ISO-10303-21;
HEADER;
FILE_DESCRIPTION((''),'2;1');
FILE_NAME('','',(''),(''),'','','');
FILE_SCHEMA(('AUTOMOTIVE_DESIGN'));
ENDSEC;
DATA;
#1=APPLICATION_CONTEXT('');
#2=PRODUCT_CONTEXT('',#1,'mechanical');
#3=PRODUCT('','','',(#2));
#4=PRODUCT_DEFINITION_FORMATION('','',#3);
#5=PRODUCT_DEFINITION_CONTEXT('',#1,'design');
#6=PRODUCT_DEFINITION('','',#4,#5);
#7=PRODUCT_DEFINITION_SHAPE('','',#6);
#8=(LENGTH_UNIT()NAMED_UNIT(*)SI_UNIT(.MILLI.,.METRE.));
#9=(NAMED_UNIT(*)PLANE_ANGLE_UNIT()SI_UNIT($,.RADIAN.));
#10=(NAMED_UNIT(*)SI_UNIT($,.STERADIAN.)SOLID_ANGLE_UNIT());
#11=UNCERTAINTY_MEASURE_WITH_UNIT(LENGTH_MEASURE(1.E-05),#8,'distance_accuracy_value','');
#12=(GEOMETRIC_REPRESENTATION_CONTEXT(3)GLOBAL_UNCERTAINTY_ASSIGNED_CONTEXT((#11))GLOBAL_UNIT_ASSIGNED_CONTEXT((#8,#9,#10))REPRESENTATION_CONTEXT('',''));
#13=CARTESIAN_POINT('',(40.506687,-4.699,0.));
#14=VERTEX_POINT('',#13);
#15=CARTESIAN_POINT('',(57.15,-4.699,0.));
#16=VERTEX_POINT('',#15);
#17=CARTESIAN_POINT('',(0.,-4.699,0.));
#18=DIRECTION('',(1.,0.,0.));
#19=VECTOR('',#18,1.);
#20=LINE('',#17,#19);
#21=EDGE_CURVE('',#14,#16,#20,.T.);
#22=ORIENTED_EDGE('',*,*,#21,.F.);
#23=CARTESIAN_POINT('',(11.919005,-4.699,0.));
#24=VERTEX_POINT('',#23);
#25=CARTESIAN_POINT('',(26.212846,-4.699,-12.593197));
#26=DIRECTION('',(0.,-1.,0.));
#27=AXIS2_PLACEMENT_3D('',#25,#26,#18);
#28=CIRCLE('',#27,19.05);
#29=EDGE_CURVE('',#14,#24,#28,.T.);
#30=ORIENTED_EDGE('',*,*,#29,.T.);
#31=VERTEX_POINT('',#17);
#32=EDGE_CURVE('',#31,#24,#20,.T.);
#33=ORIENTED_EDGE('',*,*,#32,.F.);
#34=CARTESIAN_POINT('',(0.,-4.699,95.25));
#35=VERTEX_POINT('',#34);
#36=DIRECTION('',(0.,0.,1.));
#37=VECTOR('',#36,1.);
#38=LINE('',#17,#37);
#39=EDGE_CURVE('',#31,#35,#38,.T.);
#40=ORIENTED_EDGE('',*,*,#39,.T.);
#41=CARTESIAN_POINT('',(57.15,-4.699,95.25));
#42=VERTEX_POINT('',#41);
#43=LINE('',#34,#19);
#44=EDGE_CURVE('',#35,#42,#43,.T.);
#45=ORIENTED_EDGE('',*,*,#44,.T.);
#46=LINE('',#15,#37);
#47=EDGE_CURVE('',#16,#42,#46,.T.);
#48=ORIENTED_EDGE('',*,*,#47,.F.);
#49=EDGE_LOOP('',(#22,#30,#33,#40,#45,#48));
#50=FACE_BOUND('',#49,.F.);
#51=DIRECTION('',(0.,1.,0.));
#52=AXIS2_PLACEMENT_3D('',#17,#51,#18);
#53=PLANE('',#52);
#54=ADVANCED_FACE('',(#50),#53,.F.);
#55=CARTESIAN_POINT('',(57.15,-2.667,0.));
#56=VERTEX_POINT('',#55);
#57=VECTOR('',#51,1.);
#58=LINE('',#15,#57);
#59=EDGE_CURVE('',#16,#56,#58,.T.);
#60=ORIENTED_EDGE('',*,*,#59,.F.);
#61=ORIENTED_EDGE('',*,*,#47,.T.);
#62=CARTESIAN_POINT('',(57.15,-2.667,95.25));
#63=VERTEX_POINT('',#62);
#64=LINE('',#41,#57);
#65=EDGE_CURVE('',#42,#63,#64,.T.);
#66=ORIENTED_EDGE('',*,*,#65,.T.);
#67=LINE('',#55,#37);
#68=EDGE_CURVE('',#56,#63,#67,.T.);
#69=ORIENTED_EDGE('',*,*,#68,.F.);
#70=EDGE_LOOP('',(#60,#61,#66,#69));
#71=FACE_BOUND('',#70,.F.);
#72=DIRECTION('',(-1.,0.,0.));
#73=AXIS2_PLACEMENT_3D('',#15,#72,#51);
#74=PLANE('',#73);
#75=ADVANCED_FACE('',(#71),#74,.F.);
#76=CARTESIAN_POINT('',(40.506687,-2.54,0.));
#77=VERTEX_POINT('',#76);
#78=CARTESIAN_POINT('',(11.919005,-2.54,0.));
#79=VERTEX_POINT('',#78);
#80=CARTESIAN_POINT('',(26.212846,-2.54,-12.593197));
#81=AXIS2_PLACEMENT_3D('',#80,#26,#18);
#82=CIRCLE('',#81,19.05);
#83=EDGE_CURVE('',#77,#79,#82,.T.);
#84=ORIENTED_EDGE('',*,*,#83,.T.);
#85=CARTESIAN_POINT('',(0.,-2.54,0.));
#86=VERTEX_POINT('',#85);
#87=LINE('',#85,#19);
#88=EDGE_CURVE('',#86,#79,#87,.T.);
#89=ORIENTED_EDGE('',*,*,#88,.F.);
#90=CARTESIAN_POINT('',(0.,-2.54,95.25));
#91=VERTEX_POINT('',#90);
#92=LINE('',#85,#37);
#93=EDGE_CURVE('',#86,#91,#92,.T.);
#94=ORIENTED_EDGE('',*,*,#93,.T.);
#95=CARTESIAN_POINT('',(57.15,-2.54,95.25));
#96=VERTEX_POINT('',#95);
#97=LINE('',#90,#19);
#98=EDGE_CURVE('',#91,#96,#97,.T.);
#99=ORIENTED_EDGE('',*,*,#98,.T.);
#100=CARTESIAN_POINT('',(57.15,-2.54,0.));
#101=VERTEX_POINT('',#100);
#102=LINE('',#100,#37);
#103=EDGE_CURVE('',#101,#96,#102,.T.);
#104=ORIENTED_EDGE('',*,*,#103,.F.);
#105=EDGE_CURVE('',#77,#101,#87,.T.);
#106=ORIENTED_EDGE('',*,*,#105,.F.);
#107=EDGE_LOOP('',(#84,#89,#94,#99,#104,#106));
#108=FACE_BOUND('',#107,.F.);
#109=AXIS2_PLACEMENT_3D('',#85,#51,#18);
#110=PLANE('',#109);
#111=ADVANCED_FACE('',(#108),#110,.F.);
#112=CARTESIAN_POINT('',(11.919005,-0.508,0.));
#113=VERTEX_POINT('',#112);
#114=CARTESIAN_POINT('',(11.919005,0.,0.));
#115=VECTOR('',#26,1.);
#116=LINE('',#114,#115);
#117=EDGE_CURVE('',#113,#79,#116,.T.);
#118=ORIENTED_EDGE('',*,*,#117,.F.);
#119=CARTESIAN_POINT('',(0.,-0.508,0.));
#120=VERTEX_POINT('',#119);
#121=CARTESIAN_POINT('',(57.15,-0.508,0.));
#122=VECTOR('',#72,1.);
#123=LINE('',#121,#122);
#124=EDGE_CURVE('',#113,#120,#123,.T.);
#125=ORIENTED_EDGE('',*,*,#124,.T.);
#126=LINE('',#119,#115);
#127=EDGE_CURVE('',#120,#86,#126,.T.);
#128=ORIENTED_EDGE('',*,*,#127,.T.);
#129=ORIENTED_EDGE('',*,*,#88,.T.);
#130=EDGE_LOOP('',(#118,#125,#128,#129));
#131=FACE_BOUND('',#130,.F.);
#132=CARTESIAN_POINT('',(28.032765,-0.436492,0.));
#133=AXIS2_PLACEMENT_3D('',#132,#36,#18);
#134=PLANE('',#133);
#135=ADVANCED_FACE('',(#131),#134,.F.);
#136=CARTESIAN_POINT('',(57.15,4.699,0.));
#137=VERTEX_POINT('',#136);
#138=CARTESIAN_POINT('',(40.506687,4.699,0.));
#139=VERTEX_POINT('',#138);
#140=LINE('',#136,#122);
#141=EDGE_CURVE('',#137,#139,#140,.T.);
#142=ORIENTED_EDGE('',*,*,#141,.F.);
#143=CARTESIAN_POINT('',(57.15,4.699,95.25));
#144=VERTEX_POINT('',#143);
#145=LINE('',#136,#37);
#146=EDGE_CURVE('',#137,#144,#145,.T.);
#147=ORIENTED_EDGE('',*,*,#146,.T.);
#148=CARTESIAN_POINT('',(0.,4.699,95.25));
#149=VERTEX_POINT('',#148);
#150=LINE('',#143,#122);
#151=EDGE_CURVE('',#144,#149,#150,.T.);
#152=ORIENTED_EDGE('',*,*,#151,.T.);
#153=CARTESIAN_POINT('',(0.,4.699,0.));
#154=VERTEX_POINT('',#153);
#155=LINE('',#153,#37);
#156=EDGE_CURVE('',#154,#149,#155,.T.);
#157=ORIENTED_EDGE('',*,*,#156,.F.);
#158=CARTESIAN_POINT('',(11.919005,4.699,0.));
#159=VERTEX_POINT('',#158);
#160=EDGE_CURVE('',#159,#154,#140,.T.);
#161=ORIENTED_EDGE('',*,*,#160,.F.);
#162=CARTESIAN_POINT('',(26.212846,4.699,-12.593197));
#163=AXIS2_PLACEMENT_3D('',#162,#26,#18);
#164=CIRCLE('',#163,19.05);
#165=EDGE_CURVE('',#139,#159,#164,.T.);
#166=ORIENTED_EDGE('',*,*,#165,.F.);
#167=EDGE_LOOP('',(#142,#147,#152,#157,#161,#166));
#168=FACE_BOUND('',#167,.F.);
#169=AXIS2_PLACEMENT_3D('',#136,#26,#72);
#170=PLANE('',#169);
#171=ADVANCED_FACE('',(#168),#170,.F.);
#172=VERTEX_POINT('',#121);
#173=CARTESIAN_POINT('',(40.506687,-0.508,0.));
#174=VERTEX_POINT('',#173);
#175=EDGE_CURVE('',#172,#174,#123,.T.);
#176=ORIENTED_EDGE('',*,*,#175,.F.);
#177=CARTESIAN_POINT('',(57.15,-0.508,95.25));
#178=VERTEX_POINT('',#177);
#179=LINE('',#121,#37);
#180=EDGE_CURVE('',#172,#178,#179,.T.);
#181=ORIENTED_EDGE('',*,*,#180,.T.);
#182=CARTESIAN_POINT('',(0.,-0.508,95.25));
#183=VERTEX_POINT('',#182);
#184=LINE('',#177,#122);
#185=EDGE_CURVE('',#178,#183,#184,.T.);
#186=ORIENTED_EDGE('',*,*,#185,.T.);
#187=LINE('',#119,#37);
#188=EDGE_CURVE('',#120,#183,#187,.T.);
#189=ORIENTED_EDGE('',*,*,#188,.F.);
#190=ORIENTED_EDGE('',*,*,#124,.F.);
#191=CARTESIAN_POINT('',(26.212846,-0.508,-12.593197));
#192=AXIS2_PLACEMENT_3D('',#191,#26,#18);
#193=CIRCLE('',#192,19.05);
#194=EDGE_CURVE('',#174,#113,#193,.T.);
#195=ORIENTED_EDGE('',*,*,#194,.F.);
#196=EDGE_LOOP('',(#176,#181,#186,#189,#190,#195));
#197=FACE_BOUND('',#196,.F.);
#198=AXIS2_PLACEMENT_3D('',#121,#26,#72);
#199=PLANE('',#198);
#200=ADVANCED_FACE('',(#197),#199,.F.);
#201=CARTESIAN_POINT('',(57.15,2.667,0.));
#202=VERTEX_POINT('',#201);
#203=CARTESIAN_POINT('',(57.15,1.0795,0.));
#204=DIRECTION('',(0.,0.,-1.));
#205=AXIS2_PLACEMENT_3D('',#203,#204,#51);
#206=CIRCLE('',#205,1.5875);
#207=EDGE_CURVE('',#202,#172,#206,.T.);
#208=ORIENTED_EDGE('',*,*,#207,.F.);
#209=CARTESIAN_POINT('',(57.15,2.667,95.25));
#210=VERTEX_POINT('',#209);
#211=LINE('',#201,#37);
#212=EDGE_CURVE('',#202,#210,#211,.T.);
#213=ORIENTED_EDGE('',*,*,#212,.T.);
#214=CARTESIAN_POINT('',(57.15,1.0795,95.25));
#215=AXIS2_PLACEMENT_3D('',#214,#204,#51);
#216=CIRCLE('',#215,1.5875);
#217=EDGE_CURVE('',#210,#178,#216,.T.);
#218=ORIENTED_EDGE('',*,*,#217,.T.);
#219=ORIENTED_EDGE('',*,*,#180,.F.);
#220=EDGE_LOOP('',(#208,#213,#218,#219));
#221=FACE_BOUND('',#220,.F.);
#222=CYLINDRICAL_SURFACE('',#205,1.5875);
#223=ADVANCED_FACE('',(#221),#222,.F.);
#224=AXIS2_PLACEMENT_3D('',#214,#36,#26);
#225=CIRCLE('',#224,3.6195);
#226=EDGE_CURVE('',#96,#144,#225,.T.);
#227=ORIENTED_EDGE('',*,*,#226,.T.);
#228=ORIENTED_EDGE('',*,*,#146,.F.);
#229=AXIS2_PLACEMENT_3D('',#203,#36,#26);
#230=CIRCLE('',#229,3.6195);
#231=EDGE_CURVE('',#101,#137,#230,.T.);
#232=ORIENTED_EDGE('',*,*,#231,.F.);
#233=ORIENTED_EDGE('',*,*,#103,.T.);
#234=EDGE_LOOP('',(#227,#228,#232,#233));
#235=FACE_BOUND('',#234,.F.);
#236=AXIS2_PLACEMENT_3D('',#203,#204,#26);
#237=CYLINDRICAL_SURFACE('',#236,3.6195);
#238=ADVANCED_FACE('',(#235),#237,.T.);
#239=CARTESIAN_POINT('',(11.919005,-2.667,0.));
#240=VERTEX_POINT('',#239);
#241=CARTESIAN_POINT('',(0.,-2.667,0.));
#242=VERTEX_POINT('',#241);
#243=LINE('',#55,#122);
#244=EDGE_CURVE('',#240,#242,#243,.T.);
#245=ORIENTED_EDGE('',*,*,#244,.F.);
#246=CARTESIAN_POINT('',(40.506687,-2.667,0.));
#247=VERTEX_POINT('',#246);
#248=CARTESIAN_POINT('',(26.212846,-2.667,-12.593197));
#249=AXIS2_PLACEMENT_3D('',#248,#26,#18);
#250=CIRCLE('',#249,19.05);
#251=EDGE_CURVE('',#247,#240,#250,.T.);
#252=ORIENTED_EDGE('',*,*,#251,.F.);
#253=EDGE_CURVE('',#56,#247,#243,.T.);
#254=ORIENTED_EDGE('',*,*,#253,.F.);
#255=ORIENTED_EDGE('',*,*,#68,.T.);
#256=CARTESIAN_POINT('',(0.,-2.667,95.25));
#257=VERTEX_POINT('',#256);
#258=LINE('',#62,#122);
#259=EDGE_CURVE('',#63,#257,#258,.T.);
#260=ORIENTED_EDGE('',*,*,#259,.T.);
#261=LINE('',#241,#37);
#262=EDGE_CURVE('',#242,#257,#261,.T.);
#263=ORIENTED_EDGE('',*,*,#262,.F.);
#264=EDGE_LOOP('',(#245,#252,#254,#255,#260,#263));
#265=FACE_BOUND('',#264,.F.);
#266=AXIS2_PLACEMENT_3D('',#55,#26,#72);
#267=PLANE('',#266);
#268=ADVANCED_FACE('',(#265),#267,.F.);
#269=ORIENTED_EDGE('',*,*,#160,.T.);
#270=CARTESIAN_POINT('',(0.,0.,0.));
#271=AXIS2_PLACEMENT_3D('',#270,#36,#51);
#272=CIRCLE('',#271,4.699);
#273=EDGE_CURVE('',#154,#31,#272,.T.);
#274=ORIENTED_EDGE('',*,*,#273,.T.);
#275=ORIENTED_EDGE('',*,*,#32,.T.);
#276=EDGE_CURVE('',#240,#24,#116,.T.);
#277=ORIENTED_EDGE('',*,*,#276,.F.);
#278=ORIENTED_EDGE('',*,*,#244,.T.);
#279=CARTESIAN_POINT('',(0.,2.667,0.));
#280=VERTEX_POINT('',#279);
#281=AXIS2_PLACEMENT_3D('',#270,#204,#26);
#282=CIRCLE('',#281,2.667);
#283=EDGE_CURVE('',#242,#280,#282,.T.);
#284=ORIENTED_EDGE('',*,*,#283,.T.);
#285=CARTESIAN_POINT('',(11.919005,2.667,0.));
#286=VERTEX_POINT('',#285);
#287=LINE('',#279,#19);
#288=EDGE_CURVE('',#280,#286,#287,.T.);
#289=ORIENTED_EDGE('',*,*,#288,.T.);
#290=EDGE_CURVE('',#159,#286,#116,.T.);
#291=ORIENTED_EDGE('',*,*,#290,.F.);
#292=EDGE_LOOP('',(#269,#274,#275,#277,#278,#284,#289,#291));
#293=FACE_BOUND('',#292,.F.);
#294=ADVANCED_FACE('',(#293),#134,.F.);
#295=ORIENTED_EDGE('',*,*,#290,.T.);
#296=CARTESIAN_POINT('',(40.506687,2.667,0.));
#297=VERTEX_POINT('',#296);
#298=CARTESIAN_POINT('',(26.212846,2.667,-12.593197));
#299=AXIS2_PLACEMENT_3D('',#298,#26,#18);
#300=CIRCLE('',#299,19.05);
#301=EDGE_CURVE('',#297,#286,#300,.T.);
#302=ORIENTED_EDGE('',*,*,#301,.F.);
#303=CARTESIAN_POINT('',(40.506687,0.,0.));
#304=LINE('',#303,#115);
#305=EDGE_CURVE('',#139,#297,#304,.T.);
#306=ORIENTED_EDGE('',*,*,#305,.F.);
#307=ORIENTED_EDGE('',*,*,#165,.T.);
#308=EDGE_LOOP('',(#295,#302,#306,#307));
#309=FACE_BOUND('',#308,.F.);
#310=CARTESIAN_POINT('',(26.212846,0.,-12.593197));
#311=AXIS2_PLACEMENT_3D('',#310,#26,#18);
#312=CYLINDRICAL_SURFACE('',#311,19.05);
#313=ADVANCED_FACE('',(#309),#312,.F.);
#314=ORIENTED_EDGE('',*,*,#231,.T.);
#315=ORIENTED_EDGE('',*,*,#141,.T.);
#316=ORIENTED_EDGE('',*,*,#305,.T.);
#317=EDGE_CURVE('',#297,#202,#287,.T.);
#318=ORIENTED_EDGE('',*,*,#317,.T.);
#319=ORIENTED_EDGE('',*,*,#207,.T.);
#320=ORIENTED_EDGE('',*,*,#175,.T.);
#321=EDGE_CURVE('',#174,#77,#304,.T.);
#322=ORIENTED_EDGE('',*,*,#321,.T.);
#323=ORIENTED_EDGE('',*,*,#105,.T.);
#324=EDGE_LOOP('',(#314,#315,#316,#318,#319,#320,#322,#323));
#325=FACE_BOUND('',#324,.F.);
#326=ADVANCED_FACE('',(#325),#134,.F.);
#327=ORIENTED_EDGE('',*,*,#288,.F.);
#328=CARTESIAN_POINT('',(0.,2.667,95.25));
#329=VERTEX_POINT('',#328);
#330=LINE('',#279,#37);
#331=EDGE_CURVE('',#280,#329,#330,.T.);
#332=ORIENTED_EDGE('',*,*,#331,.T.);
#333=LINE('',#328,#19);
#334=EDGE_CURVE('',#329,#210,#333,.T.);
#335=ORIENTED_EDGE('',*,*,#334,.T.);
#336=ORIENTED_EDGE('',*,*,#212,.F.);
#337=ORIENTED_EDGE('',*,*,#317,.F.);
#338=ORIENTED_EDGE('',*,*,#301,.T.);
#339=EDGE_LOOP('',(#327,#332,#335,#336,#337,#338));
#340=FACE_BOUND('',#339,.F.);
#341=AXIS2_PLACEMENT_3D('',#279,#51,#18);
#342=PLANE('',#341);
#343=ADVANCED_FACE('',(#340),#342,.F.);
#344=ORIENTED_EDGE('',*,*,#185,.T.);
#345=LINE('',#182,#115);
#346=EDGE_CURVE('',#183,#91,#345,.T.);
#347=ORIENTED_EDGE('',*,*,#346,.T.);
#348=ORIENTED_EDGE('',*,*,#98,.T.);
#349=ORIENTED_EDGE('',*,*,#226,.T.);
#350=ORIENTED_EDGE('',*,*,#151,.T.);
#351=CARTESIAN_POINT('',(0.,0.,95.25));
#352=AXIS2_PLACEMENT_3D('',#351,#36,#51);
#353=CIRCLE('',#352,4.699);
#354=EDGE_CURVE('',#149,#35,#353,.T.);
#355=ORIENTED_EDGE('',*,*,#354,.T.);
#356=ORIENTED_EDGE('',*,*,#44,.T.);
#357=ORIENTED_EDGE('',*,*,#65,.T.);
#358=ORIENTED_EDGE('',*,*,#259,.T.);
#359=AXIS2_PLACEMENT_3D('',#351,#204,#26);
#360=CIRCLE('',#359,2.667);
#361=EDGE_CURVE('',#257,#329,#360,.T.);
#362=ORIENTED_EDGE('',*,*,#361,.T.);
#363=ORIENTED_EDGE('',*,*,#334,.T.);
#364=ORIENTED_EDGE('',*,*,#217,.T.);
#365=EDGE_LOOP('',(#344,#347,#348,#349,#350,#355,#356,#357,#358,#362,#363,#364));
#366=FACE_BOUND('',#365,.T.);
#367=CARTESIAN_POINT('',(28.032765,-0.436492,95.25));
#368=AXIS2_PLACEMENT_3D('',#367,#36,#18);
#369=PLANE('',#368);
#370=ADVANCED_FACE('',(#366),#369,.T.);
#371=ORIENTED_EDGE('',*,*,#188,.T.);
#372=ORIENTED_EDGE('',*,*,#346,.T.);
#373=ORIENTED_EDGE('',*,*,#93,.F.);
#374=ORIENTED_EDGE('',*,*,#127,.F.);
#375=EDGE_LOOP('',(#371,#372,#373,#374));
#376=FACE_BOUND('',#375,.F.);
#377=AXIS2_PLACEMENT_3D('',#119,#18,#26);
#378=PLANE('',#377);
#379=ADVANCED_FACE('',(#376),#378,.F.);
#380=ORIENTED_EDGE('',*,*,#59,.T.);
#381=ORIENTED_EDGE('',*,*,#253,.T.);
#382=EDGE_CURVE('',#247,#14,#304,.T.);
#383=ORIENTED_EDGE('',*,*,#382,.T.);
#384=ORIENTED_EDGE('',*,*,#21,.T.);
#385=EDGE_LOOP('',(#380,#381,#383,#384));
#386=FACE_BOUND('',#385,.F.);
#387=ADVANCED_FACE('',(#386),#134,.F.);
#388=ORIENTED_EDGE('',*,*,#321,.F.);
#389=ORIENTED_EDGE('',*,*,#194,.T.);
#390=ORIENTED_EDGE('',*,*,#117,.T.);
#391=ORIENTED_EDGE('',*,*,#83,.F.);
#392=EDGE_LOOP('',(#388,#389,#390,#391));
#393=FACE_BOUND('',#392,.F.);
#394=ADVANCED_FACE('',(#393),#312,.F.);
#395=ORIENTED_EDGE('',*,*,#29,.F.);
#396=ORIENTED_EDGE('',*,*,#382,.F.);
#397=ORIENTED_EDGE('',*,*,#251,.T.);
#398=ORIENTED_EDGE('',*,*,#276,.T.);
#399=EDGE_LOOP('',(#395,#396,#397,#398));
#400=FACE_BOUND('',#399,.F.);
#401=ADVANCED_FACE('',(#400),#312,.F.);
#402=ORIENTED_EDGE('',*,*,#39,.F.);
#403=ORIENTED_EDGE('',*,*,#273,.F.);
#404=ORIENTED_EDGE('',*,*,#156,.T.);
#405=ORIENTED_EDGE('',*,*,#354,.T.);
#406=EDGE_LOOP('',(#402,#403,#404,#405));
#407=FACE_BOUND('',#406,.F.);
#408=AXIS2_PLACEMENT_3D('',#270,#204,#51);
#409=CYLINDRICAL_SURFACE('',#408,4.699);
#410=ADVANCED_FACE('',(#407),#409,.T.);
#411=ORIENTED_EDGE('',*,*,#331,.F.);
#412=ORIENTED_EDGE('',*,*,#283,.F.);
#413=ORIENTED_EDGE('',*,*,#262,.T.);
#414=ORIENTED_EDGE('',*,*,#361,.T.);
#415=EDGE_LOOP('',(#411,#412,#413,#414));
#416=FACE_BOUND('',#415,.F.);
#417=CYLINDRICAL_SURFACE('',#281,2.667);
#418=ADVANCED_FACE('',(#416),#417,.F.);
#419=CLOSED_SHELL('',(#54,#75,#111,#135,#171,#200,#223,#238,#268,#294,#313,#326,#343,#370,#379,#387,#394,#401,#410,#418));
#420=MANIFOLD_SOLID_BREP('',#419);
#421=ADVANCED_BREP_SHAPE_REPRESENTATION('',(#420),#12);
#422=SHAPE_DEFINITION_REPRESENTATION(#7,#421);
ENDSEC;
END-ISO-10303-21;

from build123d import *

# Parameters (mm, degrees)
F0_DEPTH = 95.25
F1_R     = 19.05
F2_DEPTH = 12.7


with BuildPart() as f0:
    # F3 (on Top) → F0 (new body)
    with BuildSketch(Plane.XY):
        with BuildLine():
            Line((57.15, 4.699), (0, 4.699))
            ThreePointArc((0, 4.699), (-4.699, 0), (0, -4.699))
            Line((0, -4.699), (57.15, -4.699))
            Line((57.15, -4.699), (57.15, -2.667))
            Line((57.15, -2.667), (0, -2.667))
            ThreePointArc((0, -2.667), (-2.667, 0), (0, 2.667))
            Line((0, 2.667), (57.15, 2.667))
            ThreePointArc((57.15, 2.667), (58.7375, 1.0795), (57.15, -0.508))
            Line((57.15, -0.508), (0, -0.508))
            Line((0, -0.508), (0, -2.54))
            Line((0, -2.54), (57.15, -2.54))
            ThreePointArc((57.15, -2.54), (60.7695, 1.0795), (57.15, 4.699))
        make_face()
    extrude(amount=F0_DEPTH)

    # F1 (on Front) → F2 (cut, symmetric)
    with BuildSketch(Plane.XZ):
        with Locations((26.212846, -12.593197)):
            Circle(F1_R)
    extrude(amount=F2_DEPTH, both=True, mode=Mode.SUBTRACT)


solid = f0.part
